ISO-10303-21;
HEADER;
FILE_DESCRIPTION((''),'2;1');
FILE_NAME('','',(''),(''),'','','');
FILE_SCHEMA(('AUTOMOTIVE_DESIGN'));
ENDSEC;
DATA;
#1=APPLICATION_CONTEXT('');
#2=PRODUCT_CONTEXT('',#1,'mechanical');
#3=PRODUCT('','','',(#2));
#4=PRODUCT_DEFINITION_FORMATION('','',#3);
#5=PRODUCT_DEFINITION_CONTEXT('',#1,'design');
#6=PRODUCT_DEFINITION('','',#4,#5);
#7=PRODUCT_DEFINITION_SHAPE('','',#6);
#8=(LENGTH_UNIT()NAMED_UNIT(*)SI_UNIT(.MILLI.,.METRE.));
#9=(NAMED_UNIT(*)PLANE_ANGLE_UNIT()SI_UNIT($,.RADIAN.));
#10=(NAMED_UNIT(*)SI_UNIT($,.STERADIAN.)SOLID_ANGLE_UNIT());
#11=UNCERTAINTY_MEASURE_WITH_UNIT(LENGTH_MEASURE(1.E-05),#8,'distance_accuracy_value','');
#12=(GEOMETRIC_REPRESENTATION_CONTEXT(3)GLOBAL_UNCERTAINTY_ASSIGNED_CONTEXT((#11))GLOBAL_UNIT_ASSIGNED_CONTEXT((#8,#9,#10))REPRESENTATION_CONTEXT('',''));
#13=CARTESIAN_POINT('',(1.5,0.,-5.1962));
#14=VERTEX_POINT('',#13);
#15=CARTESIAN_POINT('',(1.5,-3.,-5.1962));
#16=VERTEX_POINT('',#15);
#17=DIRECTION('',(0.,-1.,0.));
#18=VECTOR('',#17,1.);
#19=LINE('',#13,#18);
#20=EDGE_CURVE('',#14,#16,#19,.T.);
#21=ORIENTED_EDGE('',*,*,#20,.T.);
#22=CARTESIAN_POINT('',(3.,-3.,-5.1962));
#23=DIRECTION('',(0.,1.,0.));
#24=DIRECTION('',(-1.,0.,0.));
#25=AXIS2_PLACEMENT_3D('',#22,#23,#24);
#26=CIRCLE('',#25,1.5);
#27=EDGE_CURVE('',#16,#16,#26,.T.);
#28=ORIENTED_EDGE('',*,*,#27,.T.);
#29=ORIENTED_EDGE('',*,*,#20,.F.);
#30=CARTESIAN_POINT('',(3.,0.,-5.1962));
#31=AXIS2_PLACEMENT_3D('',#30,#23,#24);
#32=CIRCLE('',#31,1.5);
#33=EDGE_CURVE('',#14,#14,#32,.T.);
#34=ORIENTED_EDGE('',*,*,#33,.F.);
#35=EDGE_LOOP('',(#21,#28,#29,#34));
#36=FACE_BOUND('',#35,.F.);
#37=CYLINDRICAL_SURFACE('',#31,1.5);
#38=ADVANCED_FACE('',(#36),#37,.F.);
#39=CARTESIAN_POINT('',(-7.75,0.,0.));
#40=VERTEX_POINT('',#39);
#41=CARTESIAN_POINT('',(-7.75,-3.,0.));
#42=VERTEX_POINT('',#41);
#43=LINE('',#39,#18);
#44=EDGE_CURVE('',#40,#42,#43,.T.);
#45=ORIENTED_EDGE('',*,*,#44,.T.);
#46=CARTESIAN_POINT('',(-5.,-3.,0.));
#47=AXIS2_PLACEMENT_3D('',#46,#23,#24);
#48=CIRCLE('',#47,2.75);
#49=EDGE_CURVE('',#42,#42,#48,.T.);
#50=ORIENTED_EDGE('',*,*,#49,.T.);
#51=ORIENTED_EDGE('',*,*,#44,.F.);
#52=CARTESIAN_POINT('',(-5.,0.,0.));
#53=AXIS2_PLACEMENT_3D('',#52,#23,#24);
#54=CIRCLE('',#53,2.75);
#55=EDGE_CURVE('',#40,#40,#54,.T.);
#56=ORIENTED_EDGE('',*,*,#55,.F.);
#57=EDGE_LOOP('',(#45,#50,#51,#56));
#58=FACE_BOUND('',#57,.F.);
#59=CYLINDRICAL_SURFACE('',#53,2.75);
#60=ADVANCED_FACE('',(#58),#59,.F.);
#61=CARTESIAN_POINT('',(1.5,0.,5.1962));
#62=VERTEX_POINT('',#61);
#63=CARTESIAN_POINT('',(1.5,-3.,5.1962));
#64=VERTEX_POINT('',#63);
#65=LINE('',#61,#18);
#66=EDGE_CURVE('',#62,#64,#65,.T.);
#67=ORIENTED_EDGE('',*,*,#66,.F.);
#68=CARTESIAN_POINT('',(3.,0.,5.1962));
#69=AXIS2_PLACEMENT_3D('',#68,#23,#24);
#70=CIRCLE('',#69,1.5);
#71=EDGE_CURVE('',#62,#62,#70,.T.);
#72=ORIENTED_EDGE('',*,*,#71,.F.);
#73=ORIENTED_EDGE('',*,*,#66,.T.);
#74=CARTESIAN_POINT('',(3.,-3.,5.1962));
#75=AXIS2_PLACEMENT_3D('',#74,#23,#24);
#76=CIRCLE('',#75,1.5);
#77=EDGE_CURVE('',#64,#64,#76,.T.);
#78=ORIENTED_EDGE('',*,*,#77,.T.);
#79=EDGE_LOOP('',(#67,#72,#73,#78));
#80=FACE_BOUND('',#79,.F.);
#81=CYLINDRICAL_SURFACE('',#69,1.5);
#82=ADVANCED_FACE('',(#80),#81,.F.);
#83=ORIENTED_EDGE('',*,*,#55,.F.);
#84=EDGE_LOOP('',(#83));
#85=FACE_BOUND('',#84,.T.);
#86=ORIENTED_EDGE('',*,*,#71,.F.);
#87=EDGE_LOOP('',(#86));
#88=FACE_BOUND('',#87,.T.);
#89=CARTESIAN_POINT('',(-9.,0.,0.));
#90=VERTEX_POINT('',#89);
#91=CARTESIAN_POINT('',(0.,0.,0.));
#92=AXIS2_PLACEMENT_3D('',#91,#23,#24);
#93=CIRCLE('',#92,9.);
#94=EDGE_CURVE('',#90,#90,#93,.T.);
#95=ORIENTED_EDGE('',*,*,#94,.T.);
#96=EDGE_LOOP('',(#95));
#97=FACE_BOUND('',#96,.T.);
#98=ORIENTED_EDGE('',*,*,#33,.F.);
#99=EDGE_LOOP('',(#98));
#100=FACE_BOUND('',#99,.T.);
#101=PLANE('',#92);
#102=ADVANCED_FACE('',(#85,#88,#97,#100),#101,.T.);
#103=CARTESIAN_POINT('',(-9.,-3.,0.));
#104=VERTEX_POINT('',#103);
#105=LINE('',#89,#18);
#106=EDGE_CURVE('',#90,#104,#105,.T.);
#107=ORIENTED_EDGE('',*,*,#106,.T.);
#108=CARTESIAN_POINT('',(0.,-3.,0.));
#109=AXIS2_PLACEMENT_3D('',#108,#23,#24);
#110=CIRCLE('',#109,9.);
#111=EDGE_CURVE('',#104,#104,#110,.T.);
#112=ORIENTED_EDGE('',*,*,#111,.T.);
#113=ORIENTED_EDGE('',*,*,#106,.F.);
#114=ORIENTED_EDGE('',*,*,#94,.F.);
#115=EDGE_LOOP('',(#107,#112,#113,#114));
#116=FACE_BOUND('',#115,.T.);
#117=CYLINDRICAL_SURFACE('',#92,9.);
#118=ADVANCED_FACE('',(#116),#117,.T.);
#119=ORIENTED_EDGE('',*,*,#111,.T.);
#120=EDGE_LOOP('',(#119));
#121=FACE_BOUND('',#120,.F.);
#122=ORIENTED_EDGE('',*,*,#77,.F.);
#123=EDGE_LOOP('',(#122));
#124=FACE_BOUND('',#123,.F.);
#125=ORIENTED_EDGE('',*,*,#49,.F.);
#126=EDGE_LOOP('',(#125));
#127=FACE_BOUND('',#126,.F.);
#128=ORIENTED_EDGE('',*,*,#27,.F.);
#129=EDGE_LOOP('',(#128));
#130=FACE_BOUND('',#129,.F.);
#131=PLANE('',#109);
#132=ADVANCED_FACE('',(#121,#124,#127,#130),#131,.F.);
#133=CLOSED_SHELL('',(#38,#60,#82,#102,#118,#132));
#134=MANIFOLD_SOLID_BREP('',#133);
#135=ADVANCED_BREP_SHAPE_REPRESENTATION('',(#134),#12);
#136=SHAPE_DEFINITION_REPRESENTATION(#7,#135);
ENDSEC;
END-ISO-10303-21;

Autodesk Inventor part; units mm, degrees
ref_plane "YZ Plane" through (0, 0, 0) normal (1, 0, 0) x (0, 1, 0)
ref_plane "XZ Plane" through (0, 0, 0) normal (0, 1, 0) x (-1, 0, 0)
ref_plane "XY Plane" through (0, 0, 0) normal (0, 0, 1) x (1, 0, 0)
sketch "Sketch1" plane through (0, 0, 0) normal (0, 1, 0) x (-1, 0, 0)
  circle A0 centre (0, 0) radius 9
  circle A1 centre (5, 0) radius 6 construction
  line L0 (0, 0) -> (-3, -5.1962) construction
  line L1 (0, 0) -> (-3, 5.1962) construction
  line L2 (0, 0) -> (-6.6506, 0) construction
  circle A2 centre (-3, 5.1962) radius 1.5
  circle A3 centre (-3, -5.1962) radius 1.5
  circle A4 centre (5, 0) radius 2.75
  arc A5 (1.5, 1.3229) -> (1.5, -1.3229) centre (0, 0) ccw
  line L3 (1.5, 1.3229) -> (1.5, -1.3229)
  dimension "d0" = 18
  dimension "d1" = 5
  dimension "d2" = 12
  dimension "d3" = 60
  dimension "d4" = 6
  dimension "d5" = 3
  dimension "d6" = 3
  dimension "d7" = 5.5
  dimension "d9" = 4
  dimension "d10" = 1.5
extrude "Extrusion1" add sketch "Sketch1" against normal blind 3 contours A0 | L3 A5
properties part number "Carrier_bottom"
